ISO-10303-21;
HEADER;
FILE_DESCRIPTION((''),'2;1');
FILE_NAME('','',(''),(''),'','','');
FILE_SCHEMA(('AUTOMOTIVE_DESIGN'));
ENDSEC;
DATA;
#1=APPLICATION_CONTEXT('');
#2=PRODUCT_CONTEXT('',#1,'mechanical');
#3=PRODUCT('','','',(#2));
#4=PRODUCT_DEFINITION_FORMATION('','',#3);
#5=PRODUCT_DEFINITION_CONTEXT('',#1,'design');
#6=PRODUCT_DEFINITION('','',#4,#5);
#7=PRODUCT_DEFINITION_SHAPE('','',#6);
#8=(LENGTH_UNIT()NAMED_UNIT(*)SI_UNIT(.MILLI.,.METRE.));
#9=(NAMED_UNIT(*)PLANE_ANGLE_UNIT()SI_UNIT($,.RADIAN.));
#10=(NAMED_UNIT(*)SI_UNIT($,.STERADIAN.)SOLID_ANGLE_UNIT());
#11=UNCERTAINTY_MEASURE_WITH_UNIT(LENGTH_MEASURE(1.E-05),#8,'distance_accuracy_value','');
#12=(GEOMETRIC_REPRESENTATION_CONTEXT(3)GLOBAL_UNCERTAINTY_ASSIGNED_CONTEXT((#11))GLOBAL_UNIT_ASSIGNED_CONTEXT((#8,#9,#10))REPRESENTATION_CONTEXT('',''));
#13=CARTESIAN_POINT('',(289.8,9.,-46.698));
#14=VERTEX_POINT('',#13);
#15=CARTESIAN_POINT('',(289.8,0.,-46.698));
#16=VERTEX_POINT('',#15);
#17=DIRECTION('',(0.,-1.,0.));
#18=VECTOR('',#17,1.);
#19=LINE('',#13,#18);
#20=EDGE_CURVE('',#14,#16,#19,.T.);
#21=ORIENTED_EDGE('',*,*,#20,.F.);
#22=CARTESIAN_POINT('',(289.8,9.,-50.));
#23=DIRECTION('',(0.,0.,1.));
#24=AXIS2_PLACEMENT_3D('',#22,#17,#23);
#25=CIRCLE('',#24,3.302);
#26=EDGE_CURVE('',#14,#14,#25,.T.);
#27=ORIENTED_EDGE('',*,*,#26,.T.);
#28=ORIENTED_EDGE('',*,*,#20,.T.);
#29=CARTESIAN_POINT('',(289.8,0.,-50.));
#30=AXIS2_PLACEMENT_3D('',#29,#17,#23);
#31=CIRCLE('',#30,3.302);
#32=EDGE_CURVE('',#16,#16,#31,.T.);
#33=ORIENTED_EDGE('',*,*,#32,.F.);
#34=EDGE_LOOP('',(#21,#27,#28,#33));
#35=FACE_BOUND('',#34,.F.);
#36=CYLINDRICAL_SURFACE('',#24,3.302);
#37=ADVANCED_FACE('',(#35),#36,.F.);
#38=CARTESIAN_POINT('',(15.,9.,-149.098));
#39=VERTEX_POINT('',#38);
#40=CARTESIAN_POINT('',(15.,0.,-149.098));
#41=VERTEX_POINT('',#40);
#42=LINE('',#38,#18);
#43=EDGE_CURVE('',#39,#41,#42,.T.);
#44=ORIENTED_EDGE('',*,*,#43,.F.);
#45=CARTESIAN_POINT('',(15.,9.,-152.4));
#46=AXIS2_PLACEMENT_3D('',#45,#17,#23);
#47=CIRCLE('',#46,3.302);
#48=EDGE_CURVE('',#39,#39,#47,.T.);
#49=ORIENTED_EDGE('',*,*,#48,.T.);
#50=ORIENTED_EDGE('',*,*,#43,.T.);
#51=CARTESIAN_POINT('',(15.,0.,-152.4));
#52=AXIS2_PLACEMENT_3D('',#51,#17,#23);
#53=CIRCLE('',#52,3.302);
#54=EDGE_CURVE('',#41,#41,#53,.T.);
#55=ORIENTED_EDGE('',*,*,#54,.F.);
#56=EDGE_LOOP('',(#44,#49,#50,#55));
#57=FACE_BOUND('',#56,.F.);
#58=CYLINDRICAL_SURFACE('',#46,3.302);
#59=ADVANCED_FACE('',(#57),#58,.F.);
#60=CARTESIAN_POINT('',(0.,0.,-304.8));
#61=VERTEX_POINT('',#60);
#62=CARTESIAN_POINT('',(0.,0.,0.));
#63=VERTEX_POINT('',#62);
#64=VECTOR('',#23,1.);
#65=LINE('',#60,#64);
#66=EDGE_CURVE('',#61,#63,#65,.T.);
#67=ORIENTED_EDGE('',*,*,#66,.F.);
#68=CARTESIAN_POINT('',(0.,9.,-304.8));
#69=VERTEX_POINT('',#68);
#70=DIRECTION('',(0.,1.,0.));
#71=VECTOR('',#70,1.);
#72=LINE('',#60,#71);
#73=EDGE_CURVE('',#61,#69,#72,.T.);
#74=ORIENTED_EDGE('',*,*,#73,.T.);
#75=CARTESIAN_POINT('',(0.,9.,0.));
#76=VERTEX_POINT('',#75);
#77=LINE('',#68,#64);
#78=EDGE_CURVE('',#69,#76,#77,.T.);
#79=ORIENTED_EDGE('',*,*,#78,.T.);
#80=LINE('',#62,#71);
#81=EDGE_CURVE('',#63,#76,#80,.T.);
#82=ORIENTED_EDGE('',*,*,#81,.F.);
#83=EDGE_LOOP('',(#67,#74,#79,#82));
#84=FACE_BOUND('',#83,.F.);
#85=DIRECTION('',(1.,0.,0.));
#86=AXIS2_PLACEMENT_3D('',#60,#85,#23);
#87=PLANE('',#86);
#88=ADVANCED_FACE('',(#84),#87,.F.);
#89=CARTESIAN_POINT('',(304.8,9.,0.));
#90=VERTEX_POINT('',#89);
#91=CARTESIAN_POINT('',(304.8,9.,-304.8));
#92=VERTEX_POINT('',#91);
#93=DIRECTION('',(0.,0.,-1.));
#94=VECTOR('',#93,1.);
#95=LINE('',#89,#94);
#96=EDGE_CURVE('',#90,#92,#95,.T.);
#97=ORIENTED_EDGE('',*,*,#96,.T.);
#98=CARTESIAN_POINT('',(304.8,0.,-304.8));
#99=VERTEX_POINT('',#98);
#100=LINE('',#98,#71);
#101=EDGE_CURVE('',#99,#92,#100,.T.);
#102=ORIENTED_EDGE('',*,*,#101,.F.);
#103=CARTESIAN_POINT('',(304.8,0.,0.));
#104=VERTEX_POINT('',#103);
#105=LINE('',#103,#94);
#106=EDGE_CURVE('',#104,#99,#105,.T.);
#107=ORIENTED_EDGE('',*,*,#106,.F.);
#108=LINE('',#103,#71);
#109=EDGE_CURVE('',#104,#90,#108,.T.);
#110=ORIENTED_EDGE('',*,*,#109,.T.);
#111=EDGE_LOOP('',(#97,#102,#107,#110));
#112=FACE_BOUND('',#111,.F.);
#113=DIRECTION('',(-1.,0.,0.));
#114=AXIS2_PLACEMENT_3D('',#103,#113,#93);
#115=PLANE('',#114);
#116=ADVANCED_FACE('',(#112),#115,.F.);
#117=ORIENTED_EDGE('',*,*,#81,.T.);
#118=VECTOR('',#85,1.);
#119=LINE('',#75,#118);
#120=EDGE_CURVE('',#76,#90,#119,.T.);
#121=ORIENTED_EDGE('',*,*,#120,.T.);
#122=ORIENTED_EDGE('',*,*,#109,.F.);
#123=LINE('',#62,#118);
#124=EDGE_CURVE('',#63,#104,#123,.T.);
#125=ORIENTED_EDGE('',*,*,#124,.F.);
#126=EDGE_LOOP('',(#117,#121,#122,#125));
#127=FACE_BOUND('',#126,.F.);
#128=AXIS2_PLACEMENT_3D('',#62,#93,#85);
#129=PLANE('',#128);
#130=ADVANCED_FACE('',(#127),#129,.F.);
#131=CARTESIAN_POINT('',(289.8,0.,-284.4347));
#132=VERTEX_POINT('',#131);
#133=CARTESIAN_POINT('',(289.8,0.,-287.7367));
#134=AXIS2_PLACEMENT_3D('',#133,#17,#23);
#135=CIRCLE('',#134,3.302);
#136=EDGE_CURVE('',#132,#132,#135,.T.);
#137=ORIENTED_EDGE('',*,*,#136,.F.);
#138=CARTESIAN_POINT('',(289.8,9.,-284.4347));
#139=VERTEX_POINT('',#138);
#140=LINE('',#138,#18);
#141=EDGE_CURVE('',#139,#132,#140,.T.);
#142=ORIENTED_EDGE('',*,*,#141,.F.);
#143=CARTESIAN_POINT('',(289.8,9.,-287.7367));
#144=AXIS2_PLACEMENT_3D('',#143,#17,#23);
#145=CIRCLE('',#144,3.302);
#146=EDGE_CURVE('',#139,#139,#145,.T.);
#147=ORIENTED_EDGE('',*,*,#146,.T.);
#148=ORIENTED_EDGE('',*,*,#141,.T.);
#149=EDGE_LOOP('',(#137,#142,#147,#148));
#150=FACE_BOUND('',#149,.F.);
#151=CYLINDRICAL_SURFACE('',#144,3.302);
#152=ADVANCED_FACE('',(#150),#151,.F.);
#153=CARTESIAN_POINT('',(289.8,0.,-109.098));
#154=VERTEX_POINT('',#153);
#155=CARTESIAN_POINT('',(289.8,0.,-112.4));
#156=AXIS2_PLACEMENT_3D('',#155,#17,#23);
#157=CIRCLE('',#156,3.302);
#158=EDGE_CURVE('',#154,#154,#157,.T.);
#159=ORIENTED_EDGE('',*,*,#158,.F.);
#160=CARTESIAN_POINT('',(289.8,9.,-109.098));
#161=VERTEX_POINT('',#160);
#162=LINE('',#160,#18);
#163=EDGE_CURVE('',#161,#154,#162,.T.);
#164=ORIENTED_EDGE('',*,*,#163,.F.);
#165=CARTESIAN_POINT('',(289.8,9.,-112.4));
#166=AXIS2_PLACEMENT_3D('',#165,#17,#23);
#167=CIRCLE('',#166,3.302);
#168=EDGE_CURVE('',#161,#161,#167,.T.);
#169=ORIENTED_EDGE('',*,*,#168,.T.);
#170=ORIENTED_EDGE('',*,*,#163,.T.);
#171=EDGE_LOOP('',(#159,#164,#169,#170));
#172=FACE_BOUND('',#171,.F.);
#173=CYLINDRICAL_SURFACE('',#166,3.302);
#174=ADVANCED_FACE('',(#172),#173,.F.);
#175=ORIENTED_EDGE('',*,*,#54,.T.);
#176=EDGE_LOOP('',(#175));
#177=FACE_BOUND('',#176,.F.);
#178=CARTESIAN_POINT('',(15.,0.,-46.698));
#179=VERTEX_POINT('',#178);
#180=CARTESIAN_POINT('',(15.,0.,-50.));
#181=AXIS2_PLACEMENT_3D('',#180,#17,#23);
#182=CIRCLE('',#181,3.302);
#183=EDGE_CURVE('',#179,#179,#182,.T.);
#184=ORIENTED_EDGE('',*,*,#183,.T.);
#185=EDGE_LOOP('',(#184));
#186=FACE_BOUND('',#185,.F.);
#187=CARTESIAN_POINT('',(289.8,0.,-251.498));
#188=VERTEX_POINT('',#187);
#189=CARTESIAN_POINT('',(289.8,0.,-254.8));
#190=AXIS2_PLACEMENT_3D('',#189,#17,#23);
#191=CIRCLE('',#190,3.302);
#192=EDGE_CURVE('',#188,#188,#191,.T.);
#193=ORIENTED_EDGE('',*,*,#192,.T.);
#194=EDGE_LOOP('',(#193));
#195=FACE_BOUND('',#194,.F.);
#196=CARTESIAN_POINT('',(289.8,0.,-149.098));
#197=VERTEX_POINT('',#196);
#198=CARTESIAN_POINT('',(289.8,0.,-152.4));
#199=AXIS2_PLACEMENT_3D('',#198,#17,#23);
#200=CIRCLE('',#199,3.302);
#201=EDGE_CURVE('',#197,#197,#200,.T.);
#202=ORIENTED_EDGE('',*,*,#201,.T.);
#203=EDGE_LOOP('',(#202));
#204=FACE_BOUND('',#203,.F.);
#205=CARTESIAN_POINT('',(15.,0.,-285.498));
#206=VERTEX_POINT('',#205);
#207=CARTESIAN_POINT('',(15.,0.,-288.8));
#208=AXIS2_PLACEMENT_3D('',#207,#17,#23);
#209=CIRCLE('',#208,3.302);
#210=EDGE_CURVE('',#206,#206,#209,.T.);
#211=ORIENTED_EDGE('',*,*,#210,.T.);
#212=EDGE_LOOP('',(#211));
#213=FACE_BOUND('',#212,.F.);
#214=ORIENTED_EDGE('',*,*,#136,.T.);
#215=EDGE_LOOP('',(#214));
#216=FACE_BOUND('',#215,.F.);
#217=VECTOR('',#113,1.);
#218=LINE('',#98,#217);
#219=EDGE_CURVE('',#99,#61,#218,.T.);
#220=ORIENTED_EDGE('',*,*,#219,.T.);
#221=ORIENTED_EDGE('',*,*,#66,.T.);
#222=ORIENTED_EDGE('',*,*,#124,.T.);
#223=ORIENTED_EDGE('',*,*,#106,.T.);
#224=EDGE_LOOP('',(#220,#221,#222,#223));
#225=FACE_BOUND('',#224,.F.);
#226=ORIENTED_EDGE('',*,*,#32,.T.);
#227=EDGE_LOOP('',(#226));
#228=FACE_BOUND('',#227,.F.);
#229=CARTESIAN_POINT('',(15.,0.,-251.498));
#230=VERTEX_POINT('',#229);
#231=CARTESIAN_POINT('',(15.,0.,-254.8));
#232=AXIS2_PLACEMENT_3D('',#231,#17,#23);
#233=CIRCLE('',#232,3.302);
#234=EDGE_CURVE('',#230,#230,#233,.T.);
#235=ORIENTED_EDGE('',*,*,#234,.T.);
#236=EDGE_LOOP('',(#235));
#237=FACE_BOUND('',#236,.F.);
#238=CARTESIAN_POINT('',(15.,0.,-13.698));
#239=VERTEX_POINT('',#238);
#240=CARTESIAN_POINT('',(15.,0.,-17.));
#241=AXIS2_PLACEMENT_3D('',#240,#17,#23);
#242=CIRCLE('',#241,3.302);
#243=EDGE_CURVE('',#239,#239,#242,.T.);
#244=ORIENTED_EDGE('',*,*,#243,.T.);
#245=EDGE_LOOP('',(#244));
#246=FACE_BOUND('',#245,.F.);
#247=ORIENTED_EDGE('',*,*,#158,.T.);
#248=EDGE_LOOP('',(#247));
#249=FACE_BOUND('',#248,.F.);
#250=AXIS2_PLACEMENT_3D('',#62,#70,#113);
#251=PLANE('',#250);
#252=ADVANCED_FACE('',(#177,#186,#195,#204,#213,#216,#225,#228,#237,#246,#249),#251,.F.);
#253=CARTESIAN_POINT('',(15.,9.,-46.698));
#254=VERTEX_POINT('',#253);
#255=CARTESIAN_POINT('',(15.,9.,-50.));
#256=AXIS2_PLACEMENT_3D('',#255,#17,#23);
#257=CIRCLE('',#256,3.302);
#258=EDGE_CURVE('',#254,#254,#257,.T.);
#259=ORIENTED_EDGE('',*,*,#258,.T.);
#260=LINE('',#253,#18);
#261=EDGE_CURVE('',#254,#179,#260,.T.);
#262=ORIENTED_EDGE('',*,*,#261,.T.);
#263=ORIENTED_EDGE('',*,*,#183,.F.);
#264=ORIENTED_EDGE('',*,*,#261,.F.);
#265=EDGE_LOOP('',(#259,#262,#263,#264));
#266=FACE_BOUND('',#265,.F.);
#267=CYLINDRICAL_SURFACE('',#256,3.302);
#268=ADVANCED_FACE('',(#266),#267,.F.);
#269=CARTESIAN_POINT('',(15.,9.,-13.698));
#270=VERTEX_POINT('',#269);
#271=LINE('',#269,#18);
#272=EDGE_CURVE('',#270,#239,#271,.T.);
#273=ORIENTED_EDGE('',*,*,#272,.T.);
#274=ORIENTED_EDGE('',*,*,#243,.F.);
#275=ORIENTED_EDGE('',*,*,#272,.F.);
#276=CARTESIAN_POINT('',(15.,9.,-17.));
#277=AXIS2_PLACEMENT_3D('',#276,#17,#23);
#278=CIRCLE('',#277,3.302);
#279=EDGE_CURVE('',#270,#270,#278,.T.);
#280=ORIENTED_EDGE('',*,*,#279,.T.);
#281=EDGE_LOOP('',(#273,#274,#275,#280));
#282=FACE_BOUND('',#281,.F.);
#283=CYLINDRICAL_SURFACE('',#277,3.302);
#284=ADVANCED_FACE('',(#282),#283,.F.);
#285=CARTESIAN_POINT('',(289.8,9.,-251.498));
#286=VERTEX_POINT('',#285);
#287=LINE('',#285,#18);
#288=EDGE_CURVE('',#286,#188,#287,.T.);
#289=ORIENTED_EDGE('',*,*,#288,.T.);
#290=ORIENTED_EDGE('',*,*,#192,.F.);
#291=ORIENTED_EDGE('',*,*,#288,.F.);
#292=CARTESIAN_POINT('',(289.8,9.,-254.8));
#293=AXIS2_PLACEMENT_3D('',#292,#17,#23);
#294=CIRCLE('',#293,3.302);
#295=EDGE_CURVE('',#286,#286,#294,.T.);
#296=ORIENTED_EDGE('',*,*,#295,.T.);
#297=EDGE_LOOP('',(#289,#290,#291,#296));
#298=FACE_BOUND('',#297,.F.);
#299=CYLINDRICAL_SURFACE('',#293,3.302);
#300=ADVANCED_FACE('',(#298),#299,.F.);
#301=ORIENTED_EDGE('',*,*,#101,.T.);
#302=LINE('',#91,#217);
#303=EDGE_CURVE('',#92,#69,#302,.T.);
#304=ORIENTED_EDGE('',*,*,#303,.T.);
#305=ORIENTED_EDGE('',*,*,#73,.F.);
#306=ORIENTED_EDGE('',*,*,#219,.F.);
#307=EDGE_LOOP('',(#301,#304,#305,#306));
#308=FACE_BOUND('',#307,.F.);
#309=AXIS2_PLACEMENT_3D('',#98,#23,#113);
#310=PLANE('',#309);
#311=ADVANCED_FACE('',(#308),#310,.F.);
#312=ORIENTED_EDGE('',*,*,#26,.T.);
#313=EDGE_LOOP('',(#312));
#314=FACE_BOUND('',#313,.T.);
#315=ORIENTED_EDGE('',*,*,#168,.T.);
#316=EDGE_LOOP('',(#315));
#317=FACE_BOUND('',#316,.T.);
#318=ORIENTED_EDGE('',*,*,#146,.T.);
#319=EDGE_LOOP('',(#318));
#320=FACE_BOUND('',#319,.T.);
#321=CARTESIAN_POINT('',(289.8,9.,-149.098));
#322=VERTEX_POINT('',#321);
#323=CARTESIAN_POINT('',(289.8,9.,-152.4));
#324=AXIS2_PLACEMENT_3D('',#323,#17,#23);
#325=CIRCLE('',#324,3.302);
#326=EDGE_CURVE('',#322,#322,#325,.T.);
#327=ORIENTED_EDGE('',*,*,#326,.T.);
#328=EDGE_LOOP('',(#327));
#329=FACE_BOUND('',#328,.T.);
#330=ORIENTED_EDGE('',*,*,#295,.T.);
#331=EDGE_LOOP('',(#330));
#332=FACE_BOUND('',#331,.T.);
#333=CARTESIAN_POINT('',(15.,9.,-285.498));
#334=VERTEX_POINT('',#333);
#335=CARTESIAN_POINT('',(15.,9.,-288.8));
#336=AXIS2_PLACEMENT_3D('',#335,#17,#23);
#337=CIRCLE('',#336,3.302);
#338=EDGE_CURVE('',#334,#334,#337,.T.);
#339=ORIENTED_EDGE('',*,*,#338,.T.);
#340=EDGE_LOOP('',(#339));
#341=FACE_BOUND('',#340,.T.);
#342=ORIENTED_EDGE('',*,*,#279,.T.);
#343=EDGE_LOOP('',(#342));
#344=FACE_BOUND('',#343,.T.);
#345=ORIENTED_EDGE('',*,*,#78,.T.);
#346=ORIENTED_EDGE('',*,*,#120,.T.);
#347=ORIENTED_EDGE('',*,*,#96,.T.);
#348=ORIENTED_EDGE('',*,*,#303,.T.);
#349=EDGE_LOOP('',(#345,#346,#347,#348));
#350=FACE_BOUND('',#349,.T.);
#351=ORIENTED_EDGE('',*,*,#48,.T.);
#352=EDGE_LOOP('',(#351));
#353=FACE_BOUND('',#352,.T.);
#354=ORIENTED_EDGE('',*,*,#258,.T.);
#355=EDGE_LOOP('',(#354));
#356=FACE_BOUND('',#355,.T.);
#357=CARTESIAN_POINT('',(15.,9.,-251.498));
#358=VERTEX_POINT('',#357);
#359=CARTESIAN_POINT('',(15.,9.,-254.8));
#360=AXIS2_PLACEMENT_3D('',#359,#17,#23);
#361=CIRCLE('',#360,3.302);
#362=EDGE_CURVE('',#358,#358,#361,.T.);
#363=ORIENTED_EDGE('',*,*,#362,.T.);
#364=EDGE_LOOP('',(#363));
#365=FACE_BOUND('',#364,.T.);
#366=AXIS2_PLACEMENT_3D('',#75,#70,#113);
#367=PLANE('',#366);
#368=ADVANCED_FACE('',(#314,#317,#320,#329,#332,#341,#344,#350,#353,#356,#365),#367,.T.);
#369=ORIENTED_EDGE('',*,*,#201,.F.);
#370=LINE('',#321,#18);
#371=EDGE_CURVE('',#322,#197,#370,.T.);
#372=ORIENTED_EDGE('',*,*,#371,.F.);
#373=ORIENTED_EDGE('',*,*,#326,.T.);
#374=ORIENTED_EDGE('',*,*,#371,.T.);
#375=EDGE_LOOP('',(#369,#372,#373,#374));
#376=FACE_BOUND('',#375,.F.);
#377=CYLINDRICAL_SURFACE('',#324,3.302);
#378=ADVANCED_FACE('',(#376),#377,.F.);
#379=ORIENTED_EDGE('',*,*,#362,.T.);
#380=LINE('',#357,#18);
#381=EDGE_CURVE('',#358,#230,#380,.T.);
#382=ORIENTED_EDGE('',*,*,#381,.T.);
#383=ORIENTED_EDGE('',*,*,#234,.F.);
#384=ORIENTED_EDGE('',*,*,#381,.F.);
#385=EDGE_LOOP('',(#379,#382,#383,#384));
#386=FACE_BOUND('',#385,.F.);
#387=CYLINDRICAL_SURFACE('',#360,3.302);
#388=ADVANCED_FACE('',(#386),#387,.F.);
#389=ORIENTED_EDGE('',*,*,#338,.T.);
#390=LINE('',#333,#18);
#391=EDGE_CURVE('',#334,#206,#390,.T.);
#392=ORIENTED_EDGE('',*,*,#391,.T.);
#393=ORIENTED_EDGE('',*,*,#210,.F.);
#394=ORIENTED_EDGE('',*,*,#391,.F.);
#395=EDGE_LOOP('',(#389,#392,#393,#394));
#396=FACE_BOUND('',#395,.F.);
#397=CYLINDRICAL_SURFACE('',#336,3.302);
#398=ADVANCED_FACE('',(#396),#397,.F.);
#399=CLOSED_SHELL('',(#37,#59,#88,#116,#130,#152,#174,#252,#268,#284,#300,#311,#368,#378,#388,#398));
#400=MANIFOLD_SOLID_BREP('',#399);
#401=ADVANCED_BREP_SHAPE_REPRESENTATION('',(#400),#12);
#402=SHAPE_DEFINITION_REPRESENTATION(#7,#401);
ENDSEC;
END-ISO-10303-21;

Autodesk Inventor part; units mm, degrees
ref_plane "YZ Plane" through (0, 0, 0) normal (1, 0, 0) x (0, 1, 0)
ref_plane "XZ Plane" through (0, 0, 0) normal (0, 1, 0) x (-1, 0, 0)
ref_plane "XY Plane" through (0, 0, 0) normal (0, 0, 1) x (1, 0, 0)
sketch "Sketch1" plane through (0, 0, 0) normal (0, 1, 0) x (-1, 0, 0)
  line L0 (0, 0) -> (-304.8, 0)
  line L1 (-304.8, 0) -> (-304.8, -304.8)
  line L2 (-304.8, -304.8) -> (0, -304.8)
  line L3 (0, -304.8) -> (0, 0)
  dimension "d0" = 304.8
  dimension "d1" = 304.8
extrude "Extrusion1" add sketch "Sketch1" along normal blind 9
sketch "Sketch2" plane through (0, 9, 0) normal (0, 1, 0) x (1, 0, 0)
  point P0 (0, 0)
sketch "Sketch3" plane through (0, 9, 0) normal (0, 1, 0) x (1, 0, 0)
  line L0 (304.8, 304.8) -> (0, 304.8) projected
  line L1 (152.4, 304.8) -> (152.4, 0) construction
  line L2 (0, 0) -> (304.8, 0) projected
  line L3 (15, 304.8) -> (15, 0) construction
  line L4 (0, 304.8) -> (0, 0) projected
  point P0 (15, 254.8)
  point P1 (15, 152.4)
  point P2 (15, 50)
  point P3 (289.8, 254.8)
  point P4 (289.8, 152.4)
  point P5 (289.8, 50)
  point P6 (15, 288.8)
  point P7 (15, 17)
  point P8 (289.8, 112.4)
  point P9 (289.8, 287.7367)
  dimension "d4" = 15
  dimension "d5" = 50
  dimension "d6" = 50
  dimension "d14" = 16
  dimension "d15" = 40
  dimension "d16" = 17
hole "Hole1" at (15, 9, -254.8) at (289.8, 9, -254.8) at (289.8, 9, -152.4) at (15, 9, -152.4) at (15, 9, -50) at (289.8, 9, -50) at (15, 9, -288.8) at (289.8, 9, -287.7367) at (289.8, 9, -112.4) at (15, 9, -17) direction (0, -1, 0) diameter 6.604 end through all
properties part number "acrylic_base"
